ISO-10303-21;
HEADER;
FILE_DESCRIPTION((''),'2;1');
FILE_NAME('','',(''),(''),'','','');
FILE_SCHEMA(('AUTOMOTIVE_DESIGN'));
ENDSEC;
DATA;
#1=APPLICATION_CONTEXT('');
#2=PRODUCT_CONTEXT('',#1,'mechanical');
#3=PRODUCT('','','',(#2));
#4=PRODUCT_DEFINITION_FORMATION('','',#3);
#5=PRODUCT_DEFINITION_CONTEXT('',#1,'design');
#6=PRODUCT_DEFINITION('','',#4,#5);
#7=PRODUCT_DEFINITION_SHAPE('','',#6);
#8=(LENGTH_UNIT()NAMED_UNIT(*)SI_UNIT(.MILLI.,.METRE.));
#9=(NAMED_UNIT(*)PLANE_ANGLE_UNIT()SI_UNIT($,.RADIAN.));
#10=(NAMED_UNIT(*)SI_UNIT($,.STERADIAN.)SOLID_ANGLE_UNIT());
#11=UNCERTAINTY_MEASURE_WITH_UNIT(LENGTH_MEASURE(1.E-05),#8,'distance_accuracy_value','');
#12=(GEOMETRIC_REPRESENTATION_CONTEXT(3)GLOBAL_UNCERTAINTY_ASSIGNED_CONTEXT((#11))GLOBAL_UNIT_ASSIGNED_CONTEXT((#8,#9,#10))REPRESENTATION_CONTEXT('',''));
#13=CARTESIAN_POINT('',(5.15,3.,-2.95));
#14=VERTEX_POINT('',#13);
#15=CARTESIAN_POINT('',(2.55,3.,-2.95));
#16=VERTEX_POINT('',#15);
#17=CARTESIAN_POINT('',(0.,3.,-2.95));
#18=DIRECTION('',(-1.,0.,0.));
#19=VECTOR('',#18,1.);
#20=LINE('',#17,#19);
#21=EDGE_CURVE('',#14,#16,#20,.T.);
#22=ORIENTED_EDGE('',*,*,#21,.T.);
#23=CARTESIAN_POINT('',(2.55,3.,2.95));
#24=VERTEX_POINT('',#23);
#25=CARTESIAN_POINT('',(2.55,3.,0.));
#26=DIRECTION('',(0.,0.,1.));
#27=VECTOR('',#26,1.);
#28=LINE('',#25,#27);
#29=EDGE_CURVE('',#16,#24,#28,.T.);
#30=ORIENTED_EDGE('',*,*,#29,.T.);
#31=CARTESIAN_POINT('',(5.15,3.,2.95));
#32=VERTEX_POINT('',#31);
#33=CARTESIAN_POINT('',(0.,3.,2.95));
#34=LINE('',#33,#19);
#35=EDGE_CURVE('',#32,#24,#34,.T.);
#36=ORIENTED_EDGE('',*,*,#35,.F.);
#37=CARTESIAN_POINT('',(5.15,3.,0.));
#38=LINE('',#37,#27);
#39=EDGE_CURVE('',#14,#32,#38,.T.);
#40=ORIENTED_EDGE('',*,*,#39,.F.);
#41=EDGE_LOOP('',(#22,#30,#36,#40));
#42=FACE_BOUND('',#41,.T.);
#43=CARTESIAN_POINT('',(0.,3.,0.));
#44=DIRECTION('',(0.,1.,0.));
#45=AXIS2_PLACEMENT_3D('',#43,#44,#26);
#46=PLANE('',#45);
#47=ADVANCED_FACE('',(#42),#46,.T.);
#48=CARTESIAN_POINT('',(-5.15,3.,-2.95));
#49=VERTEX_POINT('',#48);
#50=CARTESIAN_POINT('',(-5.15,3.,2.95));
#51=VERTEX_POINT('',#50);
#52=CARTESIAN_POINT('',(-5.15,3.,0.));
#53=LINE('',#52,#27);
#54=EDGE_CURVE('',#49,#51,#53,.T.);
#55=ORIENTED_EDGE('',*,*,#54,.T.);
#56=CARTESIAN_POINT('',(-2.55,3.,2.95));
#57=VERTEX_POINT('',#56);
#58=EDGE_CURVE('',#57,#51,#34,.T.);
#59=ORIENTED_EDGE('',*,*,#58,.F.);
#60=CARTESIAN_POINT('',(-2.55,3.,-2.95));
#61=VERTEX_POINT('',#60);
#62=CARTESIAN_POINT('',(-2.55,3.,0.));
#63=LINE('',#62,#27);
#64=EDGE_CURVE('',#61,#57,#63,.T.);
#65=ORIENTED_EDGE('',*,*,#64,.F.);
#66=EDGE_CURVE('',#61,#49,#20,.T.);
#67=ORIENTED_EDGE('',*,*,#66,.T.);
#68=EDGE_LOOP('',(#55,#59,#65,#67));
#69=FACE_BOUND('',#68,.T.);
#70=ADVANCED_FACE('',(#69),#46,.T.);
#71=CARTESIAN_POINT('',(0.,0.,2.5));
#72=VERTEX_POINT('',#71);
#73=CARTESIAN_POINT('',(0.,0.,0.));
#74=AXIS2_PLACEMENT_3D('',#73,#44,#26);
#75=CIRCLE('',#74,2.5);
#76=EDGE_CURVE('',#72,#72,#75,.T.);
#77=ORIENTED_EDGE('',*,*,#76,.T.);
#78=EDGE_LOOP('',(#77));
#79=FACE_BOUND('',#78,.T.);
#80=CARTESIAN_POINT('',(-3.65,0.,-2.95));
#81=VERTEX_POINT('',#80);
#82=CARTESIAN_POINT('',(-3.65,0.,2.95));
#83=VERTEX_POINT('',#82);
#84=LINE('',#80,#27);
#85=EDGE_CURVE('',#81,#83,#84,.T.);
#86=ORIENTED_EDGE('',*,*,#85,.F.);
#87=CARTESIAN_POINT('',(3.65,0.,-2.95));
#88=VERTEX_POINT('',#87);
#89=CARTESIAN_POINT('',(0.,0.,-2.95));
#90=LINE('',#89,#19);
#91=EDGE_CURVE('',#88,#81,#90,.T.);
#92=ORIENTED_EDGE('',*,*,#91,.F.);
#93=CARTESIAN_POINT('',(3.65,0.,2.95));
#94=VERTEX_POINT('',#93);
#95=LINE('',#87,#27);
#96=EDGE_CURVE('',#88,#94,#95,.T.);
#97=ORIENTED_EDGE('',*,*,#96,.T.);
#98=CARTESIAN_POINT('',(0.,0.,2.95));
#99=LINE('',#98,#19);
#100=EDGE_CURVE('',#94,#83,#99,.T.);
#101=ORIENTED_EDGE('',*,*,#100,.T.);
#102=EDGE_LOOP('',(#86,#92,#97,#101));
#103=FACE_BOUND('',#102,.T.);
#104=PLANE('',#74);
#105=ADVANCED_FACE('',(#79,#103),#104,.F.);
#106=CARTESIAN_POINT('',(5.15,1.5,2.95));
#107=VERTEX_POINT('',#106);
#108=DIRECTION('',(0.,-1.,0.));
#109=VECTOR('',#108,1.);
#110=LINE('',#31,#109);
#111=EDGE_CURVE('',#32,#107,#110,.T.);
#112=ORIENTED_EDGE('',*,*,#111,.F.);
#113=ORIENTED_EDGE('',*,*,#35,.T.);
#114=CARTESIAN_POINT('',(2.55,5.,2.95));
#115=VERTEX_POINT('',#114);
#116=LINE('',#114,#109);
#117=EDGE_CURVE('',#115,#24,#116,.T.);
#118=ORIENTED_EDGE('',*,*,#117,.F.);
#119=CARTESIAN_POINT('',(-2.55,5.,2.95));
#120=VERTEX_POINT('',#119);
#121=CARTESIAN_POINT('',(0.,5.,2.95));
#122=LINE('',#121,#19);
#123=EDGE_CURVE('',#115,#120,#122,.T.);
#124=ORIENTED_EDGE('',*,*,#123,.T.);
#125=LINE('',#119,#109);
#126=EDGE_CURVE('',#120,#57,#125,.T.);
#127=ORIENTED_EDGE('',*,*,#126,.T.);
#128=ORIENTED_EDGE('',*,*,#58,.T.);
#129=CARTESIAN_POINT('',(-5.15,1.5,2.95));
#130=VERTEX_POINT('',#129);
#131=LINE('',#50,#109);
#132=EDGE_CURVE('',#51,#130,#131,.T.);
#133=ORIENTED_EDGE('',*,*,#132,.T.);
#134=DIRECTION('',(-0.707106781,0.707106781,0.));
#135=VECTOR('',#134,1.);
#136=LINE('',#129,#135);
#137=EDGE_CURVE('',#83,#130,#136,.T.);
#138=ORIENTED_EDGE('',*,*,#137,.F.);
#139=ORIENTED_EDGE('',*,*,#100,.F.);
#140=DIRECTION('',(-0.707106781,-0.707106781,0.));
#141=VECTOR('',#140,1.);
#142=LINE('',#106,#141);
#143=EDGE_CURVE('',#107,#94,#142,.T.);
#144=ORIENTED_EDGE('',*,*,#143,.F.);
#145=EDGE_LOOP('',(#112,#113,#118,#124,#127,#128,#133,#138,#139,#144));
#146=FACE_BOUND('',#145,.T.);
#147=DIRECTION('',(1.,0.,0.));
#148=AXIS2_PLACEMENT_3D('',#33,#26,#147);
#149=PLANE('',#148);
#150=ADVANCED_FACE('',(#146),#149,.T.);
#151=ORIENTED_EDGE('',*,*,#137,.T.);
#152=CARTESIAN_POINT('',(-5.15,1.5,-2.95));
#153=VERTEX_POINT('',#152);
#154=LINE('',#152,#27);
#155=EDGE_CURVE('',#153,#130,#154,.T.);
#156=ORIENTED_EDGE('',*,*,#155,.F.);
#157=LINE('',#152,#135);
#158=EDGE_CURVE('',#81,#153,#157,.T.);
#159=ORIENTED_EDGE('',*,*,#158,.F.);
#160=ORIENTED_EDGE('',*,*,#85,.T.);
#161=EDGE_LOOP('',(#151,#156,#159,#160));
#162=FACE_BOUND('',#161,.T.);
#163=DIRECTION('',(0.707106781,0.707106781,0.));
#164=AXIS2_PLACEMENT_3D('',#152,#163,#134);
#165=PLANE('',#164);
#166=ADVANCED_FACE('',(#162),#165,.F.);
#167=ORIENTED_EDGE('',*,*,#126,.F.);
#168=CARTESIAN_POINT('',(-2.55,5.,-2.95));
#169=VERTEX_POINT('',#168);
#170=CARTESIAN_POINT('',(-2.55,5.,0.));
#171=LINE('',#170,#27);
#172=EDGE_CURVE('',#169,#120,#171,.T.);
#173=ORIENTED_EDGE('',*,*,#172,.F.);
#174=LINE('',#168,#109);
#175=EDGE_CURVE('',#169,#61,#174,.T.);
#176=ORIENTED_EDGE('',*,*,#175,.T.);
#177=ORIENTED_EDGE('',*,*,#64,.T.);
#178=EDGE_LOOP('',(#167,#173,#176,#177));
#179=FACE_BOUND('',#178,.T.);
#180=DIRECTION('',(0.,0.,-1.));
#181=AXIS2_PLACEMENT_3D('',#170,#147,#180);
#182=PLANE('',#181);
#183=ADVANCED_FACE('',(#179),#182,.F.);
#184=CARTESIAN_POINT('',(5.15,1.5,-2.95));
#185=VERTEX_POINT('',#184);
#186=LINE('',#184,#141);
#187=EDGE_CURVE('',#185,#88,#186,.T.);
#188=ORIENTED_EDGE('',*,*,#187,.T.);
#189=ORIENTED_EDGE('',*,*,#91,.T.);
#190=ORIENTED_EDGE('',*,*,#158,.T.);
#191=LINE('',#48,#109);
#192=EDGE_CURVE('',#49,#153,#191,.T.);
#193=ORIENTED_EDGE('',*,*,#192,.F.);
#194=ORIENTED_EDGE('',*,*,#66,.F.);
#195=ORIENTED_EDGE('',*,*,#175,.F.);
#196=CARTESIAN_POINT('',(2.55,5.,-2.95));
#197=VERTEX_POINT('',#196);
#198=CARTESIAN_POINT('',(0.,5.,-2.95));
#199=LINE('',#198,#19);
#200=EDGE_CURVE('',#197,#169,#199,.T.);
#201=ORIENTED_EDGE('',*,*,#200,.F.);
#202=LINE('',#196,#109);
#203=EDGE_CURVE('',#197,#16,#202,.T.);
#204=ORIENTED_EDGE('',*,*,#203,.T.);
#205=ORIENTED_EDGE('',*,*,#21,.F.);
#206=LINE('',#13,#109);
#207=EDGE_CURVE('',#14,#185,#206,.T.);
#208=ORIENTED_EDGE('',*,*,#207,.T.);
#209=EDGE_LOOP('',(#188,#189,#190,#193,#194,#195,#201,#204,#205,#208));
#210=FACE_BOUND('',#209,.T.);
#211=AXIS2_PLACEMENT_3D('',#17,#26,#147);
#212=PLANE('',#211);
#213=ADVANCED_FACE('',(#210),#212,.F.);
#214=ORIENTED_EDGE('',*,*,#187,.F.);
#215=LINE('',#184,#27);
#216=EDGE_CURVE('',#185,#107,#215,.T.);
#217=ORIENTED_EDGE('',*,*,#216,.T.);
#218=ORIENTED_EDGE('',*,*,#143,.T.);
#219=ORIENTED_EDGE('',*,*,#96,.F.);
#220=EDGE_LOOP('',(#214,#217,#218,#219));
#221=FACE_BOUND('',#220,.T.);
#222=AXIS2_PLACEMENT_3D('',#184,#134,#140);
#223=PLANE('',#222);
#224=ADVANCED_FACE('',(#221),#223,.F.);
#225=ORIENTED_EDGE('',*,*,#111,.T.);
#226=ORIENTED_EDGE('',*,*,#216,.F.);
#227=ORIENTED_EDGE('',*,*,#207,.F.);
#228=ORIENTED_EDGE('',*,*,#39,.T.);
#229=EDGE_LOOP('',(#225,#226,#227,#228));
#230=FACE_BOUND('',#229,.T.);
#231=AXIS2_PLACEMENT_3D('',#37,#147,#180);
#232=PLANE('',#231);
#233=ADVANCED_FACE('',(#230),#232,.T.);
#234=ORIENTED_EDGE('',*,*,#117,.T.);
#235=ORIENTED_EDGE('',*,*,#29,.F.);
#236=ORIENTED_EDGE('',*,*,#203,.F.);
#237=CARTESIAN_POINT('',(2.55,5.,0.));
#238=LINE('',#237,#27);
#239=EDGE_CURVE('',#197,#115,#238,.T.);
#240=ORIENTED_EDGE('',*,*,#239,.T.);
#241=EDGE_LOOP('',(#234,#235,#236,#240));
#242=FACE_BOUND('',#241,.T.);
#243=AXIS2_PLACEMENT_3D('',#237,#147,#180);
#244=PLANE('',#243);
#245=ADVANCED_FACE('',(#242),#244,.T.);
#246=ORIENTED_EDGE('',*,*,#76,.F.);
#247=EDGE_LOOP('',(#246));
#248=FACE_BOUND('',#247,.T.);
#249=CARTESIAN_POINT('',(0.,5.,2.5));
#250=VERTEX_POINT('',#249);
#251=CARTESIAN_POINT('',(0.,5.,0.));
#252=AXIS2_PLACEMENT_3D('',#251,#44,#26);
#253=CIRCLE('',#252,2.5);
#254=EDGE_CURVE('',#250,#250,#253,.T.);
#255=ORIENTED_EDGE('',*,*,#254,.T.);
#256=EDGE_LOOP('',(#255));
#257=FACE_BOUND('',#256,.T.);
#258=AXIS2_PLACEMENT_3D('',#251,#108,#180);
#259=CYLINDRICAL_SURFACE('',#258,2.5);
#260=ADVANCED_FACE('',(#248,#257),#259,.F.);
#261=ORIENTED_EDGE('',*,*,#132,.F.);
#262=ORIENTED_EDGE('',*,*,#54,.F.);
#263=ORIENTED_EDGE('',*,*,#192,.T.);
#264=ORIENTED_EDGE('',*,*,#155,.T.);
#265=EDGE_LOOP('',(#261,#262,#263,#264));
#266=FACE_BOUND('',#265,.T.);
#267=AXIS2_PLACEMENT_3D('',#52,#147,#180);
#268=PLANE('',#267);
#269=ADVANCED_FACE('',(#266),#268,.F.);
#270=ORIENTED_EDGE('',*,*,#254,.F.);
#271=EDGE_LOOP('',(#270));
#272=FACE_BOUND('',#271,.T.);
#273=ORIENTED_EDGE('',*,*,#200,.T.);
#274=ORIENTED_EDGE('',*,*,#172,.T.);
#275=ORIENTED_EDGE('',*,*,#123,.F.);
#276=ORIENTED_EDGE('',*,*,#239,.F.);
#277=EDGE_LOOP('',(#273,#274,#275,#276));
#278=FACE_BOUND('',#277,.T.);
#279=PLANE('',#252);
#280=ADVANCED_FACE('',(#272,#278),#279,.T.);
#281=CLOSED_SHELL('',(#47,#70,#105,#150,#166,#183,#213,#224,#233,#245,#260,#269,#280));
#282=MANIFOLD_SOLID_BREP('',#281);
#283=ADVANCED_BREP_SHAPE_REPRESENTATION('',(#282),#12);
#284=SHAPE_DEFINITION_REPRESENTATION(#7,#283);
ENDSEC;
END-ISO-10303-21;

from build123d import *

# Parameters (mm, degrees)
SKETCH_1_W          = 2.6
SKETCH_1_H          = 5.9
EXTRUDE_3_DEPTH     = 3
EXTRUDE_3_2_DEPTH   = 3
SKETCH_1_3_W        = 5.1
SKETCH_1_3_H        = 5.9
SKETCH_1_3_R        = 2.5
EXTRUDE_4_DEPTH     = 5
CUT_EXTRUDE_1_DEPTH = 10.2915284


with BuildPart() as part:
    # 草图1 → 凸台-拉伸3 (new body)
    with BuildSketch(Plane(origin=(0, 0, 0), x_dir=(1, 0, 0), z_dir=(0, 1, 0))):
        with Locations((3.85, 0)):
            Rectangle(SKETCH_1_W, SKETCH_1_H)
    extrude(amount=EXTRUDE_3_DEPTH)



with BuildPart() as body_2:
    # 草图1 → Extrude 3 2 (new body)
    with BuildSketch(Plane(origin=(0, 0, 0), x_dir=(1, 0, 0), z_dir=(0, 1, 0))):
        with Locations((-3.85, 0)):
            Rectangle(SKETCH_1_W, SKETCH_1_H)
    extrude(amount=EXTRUDE_3_2_DEPTH)


with BuildPart() as part_1:
    add(part.part)

    add(body_2.part)  # 凸台-拉伸4 merges body 2
    # 草图1<3> → 凸台-拉伸4 (add)
    with BuildSketch(Plane(origin=(0, 0, 0), x_dir=(1, 0, 0), z_dir=(0, 1, 0))):
        Rectangle(SKETCH_1_3_W, SKETCH_1_3_H)
        Circle(SKETCH_1_3_R, mode=Mode.SUBTRACT)
    extrude(amount=EXTRUDE_4_DEPTH)

    # 草图2 → 切除-拉伸1 (cut, through all)
    with BuildSketch(Plane.XY.offset(2.95)):
        Polygon((-5.15, 1.5), (-3.65, 0), (-5.15, 0), align=None)
        Polygon((5.15, 1.5), (3.65, 0), (5.15, 0), align=None)
    extrude(amount=-CUT_EXTRUDE_1_DEPTH, mode=Mode.SUBTRACT)


solid = part_1.part
